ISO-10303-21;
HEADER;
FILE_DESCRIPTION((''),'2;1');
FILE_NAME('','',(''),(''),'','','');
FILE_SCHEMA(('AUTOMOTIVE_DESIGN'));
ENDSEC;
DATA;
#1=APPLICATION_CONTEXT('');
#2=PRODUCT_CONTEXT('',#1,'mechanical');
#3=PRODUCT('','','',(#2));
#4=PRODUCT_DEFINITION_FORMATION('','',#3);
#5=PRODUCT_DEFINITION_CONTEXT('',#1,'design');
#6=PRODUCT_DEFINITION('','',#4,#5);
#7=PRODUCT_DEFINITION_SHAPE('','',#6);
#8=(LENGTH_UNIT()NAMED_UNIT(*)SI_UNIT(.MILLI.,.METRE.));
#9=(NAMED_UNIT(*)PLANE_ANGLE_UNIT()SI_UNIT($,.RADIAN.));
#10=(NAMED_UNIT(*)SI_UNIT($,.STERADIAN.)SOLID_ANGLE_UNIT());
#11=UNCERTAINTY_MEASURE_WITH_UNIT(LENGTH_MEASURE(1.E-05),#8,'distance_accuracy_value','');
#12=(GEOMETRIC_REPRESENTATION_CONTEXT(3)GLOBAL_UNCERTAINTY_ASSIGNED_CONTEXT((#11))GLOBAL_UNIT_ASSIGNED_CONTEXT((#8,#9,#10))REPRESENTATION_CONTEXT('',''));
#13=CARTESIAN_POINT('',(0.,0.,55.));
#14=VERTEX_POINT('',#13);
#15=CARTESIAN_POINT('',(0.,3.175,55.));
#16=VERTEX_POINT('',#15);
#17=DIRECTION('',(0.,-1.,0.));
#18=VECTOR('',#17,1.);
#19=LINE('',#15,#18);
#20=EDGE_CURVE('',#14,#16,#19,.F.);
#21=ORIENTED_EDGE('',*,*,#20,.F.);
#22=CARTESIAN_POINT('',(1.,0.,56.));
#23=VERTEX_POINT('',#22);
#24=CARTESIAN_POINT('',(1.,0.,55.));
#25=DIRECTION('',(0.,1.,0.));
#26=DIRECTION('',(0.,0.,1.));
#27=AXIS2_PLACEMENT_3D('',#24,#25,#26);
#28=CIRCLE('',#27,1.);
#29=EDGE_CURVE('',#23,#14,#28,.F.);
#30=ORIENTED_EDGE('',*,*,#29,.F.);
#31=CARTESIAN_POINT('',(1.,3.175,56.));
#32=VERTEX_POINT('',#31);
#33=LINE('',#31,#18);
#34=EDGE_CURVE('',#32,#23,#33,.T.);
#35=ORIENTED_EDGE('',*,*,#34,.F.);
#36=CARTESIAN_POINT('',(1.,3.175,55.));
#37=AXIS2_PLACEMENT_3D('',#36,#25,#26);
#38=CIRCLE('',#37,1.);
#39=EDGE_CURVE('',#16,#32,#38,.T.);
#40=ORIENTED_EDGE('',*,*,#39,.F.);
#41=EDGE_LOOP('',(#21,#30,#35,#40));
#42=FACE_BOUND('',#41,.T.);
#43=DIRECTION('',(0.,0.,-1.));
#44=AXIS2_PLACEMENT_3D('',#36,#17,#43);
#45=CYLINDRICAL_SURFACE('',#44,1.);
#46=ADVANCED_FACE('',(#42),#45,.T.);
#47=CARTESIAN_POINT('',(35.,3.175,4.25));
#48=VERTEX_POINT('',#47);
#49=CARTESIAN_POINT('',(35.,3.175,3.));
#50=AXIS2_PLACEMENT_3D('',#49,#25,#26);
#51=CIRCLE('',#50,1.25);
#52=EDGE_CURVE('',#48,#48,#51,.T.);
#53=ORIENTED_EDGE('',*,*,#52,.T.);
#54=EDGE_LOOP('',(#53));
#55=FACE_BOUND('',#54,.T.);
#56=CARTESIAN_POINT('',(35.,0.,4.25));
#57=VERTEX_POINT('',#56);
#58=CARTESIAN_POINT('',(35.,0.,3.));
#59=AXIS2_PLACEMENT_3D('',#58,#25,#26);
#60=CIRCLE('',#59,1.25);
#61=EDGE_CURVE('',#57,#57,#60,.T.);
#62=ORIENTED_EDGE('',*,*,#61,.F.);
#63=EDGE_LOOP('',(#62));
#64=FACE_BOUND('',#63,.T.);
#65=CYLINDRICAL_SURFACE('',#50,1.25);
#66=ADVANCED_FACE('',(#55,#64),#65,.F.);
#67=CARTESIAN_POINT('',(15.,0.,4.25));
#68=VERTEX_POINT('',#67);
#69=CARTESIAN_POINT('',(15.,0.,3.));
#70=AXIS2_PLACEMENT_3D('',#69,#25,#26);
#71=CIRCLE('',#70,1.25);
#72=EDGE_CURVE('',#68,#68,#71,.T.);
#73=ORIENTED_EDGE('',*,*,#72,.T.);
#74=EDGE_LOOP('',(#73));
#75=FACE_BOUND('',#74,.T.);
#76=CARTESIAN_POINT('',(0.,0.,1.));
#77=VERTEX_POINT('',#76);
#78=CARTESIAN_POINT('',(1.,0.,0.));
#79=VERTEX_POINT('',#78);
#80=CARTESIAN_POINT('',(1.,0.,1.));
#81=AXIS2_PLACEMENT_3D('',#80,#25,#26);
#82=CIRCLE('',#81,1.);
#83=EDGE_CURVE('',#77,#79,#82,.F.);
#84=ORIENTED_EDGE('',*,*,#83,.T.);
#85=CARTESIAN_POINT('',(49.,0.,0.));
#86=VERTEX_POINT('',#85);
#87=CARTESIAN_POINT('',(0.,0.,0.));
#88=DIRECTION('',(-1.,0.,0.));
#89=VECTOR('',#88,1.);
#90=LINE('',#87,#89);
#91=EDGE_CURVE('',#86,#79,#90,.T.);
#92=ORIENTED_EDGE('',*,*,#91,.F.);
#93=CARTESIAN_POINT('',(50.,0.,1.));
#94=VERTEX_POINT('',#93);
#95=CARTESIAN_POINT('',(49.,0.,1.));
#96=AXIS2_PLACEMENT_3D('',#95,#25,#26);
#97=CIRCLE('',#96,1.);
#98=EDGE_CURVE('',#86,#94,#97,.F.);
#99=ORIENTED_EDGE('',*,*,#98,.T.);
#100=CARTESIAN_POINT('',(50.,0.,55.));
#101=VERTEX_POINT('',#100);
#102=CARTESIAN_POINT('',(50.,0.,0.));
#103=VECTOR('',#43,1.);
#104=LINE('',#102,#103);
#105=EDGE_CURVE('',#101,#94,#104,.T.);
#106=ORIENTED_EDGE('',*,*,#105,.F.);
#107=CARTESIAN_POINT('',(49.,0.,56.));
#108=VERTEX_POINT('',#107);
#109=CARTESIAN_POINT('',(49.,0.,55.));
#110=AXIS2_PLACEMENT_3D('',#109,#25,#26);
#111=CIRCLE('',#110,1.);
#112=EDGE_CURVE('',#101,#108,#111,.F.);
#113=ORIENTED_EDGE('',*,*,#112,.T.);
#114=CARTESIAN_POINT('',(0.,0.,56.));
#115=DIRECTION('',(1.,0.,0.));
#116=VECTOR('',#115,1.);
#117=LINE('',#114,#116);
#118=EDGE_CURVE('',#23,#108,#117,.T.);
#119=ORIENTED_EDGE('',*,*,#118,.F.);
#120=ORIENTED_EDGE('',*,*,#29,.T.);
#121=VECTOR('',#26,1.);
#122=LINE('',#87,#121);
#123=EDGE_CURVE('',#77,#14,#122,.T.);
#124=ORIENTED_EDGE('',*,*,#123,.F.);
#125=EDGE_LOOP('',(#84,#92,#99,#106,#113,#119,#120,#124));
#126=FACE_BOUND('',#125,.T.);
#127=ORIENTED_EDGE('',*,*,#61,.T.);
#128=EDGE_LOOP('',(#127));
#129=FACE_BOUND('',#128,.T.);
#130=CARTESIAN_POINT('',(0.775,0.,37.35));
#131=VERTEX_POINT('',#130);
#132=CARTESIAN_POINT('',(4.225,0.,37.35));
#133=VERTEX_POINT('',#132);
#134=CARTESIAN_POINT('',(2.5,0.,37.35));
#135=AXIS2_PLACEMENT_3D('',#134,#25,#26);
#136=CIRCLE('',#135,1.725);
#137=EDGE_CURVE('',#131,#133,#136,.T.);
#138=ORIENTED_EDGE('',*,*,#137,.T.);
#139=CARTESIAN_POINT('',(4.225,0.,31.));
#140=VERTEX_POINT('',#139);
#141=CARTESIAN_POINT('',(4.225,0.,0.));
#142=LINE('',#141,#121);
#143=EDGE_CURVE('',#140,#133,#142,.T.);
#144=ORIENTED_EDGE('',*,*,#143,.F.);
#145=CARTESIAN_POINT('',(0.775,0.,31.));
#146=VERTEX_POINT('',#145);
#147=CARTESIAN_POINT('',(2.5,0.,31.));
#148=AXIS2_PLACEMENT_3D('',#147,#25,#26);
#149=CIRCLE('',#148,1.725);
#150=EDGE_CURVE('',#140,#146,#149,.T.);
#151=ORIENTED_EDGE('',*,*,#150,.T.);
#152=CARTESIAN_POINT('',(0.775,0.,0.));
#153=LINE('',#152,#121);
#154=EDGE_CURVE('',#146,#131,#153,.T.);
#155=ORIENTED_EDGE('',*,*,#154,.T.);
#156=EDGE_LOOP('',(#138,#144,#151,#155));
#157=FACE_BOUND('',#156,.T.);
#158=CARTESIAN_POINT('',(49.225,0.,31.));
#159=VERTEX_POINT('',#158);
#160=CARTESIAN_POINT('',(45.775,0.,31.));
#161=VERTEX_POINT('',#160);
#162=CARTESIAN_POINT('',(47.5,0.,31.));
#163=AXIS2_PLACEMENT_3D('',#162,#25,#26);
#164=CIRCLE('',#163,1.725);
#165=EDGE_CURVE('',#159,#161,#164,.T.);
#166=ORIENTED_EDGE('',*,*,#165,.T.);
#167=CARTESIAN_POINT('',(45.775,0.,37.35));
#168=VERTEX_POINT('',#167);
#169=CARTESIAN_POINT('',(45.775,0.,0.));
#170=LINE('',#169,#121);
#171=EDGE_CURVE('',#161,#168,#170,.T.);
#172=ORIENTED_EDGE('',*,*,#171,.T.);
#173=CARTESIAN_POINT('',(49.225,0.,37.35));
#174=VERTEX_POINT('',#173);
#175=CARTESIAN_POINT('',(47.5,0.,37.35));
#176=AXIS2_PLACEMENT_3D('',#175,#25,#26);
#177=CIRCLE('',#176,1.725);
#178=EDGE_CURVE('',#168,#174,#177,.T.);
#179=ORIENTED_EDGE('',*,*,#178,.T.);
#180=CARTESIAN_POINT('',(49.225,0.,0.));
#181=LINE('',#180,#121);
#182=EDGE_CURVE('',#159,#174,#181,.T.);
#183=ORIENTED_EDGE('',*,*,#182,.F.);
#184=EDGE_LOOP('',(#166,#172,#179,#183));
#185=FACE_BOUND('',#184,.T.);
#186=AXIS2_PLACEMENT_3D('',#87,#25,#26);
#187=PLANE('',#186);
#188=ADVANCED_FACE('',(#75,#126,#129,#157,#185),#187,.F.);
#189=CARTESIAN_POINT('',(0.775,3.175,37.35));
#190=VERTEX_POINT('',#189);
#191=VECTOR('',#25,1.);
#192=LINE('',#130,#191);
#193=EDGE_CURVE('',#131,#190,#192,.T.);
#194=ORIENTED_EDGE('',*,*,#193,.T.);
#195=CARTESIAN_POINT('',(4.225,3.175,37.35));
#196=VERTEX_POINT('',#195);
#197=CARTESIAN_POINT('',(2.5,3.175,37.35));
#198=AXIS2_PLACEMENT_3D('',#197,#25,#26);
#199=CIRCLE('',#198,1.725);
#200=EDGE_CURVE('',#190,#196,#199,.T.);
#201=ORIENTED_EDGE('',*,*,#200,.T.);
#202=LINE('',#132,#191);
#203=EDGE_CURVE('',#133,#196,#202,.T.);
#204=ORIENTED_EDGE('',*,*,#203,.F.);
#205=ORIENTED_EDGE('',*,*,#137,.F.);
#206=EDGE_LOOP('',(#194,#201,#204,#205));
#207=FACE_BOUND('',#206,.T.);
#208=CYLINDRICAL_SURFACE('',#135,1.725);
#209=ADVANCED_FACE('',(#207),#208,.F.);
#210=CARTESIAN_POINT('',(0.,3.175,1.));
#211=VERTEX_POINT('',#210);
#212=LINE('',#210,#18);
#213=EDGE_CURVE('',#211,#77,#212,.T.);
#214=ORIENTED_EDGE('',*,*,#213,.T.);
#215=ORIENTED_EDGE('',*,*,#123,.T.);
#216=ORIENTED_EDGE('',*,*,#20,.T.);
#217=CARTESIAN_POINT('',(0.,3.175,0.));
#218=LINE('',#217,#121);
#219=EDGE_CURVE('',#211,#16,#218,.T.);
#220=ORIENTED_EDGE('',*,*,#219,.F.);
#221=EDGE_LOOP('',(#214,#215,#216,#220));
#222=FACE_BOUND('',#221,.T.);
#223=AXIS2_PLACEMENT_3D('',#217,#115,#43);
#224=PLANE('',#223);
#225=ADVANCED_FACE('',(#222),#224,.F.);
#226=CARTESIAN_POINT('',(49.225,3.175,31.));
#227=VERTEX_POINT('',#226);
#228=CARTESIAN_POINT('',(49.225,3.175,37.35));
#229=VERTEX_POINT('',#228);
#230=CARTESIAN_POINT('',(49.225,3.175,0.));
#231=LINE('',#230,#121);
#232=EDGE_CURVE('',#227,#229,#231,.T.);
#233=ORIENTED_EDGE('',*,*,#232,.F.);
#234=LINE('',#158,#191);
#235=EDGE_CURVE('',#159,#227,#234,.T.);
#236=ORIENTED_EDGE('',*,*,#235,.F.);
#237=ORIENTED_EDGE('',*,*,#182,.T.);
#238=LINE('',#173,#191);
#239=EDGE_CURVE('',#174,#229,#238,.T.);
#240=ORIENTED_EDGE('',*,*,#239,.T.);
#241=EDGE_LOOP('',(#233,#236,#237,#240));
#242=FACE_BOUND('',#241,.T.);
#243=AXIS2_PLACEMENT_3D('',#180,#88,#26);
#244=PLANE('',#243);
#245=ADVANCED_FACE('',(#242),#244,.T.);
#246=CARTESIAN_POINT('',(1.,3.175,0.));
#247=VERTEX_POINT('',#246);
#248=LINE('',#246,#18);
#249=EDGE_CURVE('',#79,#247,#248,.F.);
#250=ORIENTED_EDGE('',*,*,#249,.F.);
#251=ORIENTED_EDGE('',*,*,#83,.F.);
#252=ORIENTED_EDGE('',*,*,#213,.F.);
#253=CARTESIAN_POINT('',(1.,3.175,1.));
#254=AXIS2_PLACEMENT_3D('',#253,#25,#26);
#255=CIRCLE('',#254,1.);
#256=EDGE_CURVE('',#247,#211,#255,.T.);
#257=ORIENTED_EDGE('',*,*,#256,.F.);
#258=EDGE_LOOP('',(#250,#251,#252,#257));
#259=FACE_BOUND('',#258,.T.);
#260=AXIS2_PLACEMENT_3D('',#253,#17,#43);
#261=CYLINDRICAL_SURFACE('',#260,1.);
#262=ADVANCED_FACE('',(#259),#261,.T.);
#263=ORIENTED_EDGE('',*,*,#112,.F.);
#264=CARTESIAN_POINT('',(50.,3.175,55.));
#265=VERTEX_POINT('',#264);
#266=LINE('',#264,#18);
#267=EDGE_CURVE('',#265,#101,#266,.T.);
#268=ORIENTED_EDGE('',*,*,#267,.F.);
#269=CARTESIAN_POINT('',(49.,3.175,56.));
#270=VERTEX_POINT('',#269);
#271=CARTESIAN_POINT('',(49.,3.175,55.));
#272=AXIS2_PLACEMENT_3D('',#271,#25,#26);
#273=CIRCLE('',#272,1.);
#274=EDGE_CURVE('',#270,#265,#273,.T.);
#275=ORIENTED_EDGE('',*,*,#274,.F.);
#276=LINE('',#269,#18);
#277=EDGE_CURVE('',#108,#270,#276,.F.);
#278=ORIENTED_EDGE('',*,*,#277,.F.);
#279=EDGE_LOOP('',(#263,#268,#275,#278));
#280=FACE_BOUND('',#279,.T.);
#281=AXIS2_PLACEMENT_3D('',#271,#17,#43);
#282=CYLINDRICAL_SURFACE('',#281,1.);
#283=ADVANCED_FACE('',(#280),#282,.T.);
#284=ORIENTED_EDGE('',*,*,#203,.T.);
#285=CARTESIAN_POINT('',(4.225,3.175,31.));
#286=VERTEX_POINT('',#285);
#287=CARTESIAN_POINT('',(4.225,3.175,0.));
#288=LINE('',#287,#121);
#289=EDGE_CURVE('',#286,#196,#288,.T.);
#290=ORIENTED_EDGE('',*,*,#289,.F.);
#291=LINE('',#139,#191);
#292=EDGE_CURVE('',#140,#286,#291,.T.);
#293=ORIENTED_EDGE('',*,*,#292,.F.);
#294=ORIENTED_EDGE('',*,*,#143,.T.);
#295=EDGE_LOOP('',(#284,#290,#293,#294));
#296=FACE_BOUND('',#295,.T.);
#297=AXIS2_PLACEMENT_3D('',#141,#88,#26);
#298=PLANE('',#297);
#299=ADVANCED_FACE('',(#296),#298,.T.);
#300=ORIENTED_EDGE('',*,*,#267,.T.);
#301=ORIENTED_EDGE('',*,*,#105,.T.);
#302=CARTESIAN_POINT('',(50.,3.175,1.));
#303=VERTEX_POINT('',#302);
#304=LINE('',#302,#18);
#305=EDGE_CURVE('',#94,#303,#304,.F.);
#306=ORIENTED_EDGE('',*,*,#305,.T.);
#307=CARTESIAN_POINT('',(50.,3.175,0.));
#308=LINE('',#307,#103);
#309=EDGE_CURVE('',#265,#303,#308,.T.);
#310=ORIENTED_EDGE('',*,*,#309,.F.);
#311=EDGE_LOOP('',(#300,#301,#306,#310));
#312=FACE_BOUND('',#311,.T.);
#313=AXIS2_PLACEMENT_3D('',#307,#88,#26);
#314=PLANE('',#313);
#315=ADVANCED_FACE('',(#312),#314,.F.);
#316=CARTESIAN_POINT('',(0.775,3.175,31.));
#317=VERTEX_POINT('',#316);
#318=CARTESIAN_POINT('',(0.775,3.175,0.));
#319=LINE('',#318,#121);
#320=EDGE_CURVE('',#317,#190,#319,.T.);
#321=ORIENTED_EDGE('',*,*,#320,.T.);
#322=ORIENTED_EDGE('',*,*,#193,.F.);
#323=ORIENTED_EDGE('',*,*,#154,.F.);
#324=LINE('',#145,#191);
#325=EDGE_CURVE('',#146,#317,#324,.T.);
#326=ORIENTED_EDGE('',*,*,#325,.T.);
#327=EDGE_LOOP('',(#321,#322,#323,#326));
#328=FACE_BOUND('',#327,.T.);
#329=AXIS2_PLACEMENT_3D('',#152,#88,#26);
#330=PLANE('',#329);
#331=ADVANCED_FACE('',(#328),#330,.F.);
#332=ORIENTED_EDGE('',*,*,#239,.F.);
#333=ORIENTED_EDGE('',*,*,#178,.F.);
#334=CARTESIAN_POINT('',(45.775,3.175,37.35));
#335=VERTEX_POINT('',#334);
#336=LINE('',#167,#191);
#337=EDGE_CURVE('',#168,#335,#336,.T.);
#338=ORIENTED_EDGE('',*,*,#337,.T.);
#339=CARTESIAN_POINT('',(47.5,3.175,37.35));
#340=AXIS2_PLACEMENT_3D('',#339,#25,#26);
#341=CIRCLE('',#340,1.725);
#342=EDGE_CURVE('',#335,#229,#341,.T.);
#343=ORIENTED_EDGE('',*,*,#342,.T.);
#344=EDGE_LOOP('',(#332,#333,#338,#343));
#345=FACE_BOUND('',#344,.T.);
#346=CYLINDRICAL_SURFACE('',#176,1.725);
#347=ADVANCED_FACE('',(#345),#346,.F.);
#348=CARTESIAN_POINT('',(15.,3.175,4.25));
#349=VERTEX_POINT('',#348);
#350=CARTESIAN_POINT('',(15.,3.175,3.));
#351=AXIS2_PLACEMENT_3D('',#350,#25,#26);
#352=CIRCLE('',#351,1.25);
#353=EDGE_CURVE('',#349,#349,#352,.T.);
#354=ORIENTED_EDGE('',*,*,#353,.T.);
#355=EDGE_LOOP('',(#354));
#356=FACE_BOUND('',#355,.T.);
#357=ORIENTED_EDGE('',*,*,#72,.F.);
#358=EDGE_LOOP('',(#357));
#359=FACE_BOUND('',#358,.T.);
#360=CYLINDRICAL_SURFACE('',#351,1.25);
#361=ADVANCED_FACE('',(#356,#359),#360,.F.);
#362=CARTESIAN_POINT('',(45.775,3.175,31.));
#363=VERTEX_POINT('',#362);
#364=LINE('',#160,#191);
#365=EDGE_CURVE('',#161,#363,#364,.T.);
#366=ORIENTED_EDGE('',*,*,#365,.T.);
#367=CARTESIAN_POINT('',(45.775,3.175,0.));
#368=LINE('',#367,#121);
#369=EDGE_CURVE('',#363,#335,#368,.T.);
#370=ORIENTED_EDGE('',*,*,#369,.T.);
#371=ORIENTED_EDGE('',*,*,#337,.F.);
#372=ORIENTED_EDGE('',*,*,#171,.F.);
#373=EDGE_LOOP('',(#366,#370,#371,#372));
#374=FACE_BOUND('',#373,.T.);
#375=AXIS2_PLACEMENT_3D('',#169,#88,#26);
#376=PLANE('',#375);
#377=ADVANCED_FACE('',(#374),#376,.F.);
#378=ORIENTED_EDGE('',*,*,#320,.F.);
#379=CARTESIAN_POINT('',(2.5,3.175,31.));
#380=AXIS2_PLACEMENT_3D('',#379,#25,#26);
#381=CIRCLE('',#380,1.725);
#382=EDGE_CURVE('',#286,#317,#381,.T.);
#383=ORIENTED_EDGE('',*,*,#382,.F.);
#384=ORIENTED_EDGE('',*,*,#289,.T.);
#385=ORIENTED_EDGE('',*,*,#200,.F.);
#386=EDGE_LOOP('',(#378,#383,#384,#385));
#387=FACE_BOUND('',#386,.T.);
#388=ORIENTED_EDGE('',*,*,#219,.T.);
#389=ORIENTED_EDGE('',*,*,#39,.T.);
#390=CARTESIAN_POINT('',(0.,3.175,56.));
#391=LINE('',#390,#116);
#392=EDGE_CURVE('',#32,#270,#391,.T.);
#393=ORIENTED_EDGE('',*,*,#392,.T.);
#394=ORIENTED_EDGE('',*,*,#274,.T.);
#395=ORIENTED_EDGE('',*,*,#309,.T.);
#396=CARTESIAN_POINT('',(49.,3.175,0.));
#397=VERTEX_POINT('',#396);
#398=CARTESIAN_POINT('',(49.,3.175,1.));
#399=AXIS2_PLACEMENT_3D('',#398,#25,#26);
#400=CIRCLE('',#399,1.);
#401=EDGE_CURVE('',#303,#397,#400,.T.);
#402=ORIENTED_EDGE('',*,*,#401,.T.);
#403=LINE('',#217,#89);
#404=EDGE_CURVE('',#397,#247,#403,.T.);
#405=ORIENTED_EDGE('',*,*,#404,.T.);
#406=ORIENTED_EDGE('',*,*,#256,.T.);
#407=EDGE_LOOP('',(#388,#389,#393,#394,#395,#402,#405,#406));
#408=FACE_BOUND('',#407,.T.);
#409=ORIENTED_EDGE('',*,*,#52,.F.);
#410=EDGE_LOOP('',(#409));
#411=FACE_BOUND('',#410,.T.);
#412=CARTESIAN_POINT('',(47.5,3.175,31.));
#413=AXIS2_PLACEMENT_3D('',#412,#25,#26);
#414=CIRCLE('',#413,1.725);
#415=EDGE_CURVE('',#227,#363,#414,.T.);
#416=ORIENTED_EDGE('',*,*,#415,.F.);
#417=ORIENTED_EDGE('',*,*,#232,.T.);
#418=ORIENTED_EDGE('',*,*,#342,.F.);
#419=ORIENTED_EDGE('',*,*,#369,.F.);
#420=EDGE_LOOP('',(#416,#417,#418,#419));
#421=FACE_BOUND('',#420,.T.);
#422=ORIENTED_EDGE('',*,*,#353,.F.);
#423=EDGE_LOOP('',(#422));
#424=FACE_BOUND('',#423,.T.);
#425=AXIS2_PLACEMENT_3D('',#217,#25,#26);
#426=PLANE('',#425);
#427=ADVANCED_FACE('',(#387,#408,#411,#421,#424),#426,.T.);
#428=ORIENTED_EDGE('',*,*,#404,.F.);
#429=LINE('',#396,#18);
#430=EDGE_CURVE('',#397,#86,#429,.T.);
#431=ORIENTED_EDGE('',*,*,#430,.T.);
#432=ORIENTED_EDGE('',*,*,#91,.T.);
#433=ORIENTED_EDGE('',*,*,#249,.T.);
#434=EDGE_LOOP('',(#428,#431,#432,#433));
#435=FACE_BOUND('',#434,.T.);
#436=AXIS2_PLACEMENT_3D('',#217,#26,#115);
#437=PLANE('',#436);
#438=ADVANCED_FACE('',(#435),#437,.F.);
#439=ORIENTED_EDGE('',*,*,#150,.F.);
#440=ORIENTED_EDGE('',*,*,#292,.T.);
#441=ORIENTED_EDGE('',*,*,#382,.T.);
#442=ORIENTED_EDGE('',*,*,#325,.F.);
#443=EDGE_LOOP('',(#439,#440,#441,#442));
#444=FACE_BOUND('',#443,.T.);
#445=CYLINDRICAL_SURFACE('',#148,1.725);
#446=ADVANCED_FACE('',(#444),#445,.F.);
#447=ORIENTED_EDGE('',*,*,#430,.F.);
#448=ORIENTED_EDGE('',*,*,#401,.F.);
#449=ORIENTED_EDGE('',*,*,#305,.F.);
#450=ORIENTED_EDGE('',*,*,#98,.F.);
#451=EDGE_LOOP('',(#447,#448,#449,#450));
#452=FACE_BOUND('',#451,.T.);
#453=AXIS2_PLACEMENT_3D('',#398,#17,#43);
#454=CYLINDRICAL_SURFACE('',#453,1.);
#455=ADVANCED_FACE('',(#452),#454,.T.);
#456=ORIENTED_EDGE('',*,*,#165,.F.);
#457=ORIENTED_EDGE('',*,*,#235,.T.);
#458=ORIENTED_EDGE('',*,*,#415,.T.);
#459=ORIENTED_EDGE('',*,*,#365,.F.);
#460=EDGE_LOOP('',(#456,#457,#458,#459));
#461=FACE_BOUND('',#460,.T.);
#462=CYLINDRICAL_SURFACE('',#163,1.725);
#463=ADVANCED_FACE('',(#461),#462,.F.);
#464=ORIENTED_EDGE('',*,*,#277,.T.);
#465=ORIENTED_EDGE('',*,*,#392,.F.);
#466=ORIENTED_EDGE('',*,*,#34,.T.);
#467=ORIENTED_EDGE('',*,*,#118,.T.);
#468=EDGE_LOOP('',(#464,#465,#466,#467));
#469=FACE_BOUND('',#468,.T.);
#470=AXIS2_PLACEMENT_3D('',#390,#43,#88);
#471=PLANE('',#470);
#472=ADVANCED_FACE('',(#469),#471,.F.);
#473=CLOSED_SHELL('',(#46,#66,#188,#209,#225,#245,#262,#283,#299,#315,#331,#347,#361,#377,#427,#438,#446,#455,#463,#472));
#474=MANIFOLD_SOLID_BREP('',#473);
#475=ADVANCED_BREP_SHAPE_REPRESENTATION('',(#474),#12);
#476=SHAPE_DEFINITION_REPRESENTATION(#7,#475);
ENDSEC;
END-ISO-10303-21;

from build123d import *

# Parameters (mm, degrees)
SKETCH1_W               = 50
SKETCH1_H               = 56
SKETCH1_R               = 1.1
BOSS_EXTRUDE1_DEPTH     = 3.175
FILLET1_R               = 1
M3X0_5_TAPPED_HOLE1_D   = 2.5
CUT_EXTRUDE1_DEPTH      = 76.140406074
CUT_EXTRUDE1_DEPTH_BACK = 76.140406074


with BuildPart() as part:
    # Sketch1 → Boss-Extrude1 (new body)
    with BuildSketch(Plane(origin=(0, 0, 0), x_dir=(1, 0, 0), z_dir=(0, 1, 0))):
        with Locations((25, -28)):
            Rectangle(SKETCH1_W, SKETCH1_H)
        with Locations(Location((15, -3, 0), (0, 0, 270))):
            Circle(SKETCH1_R, mode=Mode.SUBTRACT)
        with Locations(Location((35, -3, 0), (0, 0, 270))):
            Circle(SKETCH1_R, mode=Mode.SUBTRACT)
    extrude(amount=BOSS_EXTRUDE1_DEPTH)

    # Fillet1
    fillet1_edges = [part.edges().sort_by_distance(p)[0] for p in [
        (0, 1.5875, 0),
        (50, 1.5875, 0),
        (50, 1.5875, 56),
        (0, 1.5875, 56),
    ]]
    fillet(fillet1_edges, radius=FILLET1_R)

    # M3x0.5 Tapped Hole1 (through all)
    with Locations(Plane(origin=(15, 3.175, 3), x_dir=(0, 0, 1), z_dir=(0, 1, 0))):
        with Locations((0, 0), (0, 20)):
            Hole(M3X0_5_TAPPED_HOLE1_D / 2)

    # Sketch3 → Cut-Extrude1 (cut, two sides: drawn at the far end of the back side and taken through both)
    with BuildSketch(Plane(origin=(0, 3.175, 0), x_dir=(1, 0, 0), z_dir=(0, 1, 0)).offset(-CUT_EXTRUDE1_DEPTH_BACK)):
        with BuildLine():
            Line((0.775, -31), (0.775, -37.35))
            ThreePointArc((0.775, -37.35), (2.5, -39.075), (4.225, -37.35))
            Line((4.225, -37.35), (4.225, -31))
            ThreePointArc((4.225, -31), (2.5, -29.275), (0.775, -31))
        make_face()
        with BuildLine():
            Line((45.775, -31), (45.775, -37.35))
            ThreePointArc((45.775, -37.35), (47.5, -39.075), (49.225, -37.35))
            Line((49.225, -37.35), (49.225, -31))
            ThreePointArc((49.225, -31), (47.5, -29.275), (45.775, -31))
        make_face()
    extrude(amount=CUT_EXTRUDE1_DEPTH + CUT_EXTRUDE1_DEPTH_BACK, mode=Mode.SUBTRACT)


solid = part.part
